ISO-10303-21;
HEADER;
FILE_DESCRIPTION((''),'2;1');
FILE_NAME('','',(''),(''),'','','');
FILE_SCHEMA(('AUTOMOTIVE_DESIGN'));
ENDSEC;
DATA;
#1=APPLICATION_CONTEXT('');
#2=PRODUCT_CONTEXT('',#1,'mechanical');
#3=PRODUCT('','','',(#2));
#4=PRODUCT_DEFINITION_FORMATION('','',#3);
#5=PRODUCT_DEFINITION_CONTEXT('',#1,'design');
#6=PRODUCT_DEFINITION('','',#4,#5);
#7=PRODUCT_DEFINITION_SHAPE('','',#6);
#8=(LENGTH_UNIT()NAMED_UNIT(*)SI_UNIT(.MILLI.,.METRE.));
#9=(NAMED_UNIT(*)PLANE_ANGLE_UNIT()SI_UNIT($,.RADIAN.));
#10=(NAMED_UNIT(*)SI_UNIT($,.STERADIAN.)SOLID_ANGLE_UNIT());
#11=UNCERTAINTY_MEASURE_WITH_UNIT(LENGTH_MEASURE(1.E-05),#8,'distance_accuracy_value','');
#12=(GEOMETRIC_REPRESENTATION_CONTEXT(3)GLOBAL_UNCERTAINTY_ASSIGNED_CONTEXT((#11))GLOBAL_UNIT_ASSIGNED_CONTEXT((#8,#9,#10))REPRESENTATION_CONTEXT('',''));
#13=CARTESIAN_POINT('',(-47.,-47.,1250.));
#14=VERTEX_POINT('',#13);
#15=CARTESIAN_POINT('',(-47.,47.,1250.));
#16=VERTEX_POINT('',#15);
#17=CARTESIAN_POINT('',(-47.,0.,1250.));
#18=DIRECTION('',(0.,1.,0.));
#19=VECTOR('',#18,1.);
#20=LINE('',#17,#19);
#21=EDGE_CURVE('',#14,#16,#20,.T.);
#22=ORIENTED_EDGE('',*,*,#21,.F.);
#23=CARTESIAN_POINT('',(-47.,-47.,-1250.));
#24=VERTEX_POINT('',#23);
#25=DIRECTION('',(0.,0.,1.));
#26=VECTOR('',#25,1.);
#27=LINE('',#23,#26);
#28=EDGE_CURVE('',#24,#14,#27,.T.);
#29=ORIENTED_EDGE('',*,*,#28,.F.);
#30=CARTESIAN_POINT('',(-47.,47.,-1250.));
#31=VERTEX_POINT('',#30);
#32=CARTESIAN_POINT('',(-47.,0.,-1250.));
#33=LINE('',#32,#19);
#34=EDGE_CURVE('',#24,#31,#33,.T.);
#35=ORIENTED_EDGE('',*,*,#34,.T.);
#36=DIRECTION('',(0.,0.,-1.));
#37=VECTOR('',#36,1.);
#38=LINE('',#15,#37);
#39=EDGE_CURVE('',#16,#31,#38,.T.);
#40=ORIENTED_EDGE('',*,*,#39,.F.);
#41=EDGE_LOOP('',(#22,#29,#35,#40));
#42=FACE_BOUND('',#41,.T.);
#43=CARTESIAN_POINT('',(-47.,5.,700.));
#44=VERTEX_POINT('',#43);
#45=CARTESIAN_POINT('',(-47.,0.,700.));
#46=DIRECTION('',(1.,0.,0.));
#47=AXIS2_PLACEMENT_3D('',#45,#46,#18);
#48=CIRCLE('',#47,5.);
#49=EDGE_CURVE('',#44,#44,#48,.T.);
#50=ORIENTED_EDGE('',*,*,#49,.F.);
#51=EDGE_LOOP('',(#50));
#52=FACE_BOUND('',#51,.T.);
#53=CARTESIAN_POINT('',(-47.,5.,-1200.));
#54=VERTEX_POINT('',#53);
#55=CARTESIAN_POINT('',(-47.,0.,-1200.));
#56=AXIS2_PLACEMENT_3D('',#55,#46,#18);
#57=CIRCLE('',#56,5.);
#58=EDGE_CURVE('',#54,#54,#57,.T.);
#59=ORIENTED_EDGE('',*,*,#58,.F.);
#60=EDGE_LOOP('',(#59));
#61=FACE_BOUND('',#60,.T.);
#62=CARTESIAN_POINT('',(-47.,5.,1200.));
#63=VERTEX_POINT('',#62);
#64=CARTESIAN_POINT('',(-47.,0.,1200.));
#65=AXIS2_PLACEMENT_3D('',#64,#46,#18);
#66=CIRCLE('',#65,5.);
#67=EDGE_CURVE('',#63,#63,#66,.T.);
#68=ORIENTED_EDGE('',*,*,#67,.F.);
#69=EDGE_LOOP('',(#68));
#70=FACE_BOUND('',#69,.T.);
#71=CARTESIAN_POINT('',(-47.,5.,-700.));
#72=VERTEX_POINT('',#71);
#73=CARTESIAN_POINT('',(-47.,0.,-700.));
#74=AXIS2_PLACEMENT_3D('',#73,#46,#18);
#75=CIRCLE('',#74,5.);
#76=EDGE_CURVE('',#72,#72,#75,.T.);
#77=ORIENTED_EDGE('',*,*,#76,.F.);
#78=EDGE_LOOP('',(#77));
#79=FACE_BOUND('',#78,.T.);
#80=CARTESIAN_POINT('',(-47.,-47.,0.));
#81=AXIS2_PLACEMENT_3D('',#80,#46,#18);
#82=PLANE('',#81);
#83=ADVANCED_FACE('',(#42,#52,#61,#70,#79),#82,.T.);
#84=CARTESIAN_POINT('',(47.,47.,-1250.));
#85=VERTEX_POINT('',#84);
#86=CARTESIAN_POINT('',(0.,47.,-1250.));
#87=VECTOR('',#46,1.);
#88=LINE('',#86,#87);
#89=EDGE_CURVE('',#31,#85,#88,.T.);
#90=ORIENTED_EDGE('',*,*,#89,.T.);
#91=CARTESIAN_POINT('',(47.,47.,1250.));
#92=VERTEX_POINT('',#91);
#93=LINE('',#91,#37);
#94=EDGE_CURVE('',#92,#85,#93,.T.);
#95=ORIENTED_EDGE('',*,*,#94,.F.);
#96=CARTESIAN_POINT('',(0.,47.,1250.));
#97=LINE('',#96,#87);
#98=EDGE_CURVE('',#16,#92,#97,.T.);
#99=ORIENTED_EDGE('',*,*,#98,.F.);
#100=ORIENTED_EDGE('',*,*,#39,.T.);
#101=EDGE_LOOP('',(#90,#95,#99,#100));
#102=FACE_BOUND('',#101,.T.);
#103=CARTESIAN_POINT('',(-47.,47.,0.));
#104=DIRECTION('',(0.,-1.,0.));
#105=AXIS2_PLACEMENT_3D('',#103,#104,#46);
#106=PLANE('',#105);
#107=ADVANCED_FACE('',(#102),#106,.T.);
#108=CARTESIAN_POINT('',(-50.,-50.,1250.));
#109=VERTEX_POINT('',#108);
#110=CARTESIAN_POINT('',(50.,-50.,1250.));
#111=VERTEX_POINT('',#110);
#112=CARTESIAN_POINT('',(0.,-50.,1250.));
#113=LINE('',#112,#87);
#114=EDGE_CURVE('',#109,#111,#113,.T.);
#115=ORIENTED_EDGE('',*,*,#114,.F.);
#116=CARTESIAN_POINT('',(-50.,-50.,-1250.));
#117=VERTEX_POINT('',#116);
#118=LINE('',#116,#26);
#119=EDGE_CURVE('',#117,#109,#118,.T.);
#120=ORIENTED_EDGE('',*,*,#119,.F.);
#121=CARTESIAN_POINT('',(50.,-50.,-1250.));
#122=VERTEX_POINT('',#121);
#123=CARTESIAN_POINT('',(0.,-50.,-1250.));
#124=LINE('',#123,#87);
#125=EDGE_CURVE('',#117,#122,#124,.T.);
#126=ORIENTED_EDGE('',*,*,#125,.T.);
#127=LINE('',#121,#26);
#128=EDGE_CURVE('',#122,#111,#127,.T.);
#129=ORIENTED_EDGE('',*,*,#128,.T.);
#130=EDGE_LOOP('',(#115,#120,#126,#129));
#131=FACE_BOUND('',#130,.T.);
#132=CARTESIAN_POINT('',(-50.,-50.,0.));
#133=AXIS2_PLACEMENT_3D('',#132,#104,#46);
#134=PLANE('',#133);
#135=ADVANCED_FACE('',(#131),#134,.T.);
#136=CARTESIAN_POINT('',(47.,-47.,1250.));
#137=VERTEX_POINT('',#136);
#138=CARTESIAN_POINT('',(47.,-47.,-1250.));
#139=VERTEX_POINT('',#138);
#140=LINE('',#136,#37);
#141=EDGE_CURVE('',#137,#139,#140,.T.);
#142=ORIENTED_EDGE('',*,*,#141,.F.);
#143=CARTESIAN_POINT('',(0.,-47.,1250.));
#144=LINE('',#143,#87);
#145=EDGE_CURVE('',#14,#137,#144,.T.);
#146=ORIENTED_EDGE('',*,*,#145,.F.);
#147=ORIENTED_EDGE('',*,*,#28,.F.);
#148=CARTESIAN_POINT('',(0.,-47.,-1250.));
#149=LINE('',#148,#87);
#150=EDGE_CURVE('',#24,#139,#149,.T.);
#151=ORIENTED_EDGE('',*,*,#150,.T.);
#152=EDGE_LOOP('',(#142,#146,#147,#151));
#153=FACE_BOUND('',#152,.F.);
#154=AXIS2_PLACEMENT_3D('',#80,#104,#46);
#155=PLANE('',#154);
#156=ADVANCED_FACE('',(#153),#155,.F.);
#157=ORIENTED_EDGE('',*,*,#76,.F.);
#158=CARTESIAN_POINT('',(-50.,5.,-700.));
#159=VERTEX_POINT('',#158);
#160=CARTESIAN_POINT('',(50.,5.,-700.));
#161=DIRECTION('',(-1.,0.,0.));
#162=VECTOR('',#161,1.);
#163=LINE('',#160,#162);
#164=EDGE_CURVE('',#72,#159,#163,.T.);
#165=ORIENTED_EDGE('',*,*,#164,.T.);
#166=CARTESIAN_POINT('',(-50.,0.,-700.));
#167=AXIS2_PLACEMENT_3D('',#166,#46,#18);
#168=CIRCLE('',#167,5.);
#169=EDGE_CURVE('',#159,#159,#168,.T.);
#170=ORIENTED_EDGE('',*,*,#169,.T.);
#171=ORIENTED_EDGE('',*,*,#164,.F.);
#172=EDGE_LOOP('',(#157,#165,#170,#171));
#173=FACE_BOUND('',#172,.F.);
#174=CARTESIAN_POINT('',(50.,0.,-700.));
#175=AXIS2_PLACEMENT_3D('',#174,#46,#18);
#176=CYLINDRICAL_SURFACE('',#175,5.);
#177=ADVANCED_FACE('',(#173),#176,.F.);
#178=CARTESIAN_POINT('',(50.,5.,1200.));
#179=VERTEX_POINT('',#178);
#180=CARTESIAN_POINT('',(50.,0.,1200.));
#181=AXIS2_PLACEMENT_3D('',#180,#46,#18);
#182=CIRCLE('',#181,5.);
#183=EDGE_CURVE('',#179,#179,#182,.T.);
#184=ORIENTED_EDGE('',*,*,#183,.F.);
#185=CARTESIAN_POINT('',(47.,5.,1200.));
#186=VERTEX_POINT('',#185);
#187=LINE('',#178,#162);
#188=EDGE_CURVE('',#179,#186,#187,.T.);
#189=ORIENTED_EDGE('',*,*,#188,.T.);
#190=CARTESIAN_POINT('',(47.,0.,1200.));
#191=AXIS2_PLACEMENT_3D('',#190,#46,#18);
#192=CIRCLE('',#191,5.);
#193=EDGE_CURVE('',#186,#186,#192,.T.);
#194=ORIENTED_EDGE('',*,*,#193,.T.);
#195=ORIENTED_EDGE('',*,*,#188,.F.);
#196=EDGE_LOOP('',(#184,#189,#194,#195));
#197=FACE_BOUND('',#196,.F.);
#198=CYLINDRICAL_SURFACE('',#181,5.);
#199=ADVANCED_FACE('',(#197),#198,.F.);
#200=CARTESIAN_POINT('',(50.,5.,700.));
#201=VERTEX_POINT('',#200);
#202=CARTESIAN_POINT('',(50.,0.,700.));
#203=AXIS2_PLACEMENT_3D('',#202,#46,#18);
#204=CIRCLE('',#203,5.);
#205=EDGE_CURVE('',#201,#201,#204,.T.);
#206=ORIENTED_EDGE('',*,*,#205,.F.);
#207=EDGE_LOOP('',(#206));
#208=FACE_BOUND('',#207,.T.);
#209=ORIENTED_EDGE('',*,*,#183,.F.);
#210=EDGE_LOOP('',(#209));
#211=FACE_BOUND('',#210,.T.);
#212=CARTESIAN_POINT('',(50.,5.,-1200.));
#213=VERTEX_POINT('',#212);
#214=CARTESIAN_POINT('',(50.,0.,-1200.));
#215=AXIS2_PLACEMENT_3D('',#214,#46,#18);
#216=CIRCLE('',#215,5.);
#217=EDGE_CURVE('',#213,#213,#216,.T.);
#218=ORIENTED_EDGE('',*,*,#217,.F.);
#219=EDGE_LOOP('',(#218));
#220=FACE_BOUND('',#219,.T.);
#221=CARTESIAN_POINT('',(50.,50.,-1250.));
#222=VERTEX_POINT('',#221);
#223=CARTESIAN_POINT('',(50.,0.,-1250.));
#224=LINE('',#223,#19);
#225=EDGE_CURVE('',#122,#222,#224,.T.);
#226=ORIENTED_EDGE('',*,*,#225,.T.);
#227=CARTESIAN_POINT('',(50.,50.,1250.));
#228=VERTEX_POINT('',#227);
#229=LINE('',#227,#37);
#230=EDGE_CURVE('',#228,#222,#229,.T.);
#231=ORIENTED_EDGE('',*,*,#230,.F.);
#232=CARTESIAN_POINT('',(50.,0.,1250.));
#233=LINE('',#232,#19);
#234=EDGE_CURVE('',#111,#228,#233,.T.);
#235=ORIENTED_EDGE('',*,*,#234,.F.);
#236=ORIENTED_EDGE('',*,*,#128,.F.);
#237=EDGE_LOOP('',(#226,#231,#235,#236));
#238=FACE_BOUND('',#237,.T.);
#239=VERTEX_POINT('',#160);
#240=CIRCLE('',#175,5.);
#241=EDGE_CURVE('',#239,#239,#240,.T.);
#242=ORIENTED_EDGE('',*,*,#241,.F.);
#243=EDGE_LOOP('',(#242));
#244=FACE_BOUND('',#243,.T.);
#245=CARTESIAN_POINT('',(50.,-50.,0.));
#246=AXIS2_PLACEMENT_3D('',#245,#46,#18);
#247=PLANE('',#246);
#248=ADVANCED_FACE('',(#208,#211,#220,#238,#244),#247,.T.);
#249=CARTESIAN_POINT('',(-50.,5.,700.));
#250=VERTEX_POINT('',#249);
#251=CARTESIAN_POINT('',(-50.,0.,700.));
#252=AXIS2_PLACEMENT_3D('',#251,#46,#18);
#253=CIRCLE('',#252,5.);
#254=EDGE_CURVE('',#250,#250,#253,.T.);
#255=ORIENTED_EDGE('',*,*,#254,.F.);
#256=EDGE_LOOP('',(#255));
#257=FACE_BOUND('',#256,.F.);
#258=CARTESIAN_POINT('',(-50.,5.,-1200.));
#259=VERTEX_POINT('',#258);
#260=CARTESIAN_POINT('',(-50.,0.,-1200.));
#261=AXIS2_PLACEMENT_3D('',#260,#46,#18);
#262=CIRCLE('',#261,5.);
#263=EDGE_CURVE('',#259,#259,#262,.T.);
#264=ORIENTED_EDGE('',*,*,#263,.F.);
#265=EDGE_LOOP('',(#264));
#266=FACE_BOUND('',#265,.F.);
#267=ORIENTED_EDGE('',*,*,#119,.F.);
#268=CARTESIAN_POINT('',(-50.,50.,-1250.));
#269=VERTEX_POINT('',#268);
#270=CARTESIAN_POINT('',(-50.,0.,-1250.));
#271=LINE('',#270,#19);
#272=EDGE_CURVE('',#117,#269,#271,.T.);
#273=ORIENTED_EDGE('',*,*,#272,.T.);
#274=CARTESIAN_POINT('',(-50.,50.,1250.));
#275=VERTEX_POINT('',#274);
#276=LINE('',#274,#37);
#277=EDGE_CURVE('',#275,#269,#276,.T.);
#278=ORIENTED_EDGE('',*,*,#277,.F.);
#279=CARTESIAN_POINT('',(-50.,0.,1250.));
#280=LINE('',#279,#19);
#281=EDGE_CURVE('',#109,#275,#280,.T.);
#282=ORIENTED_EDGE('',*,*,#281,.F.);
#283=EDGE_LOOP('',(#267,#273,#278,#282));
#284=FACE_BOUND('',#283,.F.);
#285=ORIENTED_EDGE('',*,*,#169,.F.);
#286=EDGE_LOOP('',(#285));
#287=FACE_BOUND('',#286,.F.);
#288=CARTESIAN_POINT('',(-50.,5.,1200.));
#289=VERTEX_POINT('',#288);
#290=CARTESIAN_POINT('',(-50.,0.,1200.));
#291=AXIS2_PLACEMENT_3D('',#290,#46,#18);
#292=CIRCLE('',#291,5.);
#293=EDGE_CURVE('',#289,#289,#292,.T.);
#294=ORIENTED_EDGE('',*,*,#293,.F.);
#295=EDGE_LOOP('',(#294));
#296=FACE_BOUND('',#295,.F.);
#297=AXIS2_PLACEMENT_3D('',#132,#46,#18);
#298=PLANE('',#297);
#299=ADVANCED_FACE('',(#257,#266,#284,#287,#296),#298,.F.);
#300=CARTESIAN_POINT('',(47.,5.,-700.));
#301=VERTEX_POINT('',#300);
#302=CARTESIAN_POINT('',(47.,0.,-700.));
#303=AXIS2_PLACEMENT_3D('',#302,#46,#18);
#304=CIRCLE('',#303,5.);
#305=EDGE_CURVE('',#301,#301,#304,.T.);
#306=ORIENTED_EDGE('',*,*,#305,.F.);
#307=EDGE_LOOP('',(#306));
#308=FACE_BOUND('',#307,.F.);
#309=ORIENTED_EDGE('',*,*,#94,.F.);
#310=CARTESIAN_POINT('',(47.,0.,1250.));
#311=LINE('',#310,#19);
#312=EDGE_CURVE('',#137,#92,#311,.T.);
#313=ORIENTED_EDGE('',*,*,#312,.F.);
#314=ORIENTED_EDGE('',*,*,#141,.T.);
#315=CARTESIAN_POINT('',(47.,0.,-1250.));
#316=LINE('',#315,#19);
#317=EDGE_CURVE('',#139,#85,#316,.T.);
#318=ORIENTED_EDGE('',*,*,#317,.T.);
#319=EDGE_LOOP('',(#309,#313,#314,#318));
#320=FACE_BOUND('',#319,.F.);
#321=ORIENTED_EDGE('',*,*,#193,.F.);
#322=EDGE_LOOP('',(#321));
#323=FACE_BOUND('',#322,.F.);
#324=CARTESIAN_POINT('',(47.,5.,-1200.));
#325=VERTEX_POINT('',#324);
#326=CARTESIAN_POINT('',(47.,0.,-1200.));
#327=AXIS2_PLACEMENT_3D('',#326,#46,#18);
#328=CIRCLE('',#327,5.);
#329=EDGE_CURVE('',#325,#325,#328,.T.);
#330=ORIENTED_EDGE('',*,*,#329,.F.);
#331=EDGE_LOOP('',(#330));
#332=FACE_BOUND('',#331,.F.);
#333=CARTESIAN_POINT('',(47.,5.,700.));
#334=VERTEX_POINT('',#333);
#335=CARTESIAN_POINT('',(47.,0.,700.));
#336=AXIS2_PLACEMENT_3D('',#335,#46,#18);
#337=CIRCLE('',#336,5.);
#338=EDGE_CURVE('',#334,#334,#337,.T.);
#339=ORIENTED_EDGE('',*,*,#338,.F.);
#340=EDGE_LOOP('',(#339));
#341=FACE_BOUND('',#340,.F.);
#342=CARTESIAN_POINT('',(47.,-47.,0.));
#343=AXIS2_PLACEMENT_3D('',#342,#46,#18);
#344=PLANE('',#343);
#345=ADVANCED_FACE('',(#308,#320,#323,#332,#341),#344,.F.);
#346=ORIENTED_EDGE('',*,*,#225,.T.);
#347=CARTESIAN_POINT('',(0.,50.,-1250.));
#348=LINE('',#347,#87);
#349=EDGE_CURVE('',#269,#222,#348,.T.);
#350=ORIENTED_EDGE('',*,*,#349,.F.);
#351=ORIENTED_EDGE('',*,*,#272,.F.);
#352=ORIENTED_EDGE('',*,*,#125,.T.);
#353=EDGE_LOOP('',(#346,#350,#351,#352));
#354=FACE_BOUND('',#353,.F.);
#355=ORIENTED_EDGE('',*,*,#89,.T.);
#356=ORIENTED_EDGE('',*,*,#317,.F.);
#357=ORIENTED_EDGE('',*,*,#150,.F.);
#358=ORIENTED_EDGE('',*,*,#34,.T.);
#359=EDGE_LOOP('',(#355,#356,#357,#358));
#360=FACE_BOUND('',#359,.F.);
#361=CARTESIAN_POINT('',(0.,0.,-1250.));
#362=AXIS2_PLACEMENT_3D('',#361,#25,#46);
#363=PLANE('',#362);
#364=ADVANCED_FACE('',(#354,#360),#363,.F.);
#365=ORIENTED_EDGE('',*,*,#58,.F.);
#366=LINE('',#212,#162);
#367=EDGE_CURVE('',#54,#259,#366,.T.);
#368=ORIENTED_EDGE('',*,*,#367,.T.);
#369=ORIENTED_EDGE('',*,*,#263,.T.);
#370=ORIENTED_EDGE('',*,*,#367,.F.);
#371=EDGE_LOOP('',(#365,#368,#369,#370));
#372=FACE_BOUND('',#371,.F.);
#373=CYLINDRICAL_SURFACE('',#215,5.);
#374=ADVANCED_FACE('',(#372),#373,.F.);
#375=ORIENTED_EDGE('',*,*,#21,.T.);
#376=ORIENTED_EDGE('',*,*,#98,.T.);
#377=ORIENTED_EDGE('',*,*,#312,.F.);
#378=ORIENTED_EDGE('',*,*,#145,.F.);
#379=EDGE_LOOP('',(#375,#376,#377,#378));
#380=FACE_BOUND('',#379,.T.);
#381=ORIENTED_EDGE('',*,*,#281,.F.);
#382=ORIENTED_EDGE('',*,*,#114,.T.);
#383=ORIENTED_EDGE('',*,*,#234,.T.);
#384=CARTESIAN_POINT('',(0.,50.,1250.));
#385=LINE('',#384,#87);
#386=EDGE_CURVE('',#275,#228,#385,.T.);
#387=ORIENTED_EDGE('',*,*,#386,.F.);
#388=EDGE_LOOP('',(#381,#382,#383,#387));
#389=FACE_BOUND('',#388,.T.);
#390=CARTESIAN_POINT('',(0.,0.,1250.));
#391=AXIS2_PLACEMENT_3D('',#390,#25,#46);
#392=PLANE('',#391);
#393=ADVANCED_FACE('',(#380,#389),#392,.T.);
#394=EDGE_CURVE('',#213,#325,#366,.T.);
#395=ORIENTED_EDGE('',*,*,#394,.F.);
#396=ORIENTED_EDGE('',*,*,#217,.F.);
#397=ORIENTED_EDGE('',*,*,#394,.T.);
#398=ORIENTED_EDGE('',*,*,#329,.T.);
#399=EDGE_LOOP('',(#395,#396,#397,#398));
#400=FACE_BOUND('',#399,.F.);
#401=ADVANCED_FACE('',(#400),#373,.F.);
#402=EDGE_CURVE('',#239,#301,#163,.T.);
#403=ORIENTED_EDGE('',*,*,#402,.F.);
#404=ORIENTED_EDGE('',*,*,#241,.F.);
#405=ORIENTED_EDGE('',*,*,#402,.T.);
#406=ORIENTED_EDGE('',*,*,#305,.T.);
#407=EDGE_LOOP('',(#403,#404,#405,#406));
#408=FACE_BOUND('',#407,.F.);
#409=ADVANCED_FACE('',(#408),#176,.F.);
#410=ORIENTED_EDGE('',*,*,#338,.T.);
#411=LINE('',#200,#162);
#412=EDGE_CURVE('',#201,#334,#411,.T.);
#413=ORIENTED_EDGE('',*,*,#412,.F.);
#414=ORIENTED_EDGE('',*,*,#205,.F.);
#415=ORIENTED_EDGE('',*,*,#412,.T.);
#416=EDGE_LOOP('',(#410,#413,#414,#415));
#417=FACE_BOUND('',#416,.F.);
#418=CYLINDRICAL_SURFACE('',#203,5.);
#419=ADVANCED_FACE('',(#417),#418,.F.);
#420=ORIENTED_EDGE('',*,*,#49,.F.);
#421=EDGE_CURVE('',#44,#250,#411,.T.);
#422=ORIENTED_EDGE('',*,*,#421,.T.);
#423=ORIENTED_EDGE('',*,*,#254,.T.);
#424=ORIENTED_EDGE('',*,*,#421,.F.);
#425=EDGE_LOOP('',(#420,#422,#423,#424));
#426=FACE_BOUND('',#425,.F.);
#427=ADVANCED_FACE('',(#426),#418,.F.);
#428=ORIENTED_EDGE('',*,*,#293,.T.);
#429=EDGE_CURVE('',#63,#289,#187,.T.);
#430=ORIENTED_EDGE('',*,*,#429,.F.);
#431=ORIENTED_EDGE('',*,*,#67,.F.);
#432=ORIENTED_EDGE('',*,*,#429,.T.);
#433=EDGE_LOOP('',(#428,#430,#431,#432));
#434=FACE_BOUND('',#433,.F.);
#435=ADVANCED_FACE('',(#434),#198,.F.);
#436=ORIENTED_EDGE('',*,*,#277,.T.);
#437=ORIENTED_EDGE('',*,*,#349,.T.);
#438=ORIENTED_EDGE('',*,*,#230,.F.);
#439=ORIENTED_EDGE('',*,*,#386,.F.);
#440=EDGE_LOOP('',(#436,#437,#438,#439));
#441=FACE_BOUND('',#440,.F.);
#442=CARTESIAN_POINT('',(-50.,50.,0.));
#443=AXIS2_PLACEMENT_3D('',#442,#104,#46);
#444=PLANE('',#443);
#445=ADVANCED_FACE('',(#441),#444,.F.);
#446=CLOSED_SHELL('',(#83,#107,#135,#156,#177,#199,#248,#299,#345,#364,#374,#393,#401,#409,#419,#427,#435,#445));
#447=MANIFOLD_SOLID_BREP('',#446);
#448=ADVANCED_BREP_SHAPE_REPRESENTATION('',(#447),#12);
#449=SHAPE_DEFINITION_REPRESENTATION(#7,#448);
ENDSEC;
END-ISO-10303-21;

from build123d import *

# Parameters (mm, degrees)
F0_W     = 100
F0_H     = 100
F0_W_2   = 94
F0_H_2   = 94
F1_DEPTH = 1250
F2_R     = 5
F3_DEPTH = 300


with BuildPart() as f1:
    # F0 (on Top) → F1 (new body, symmetric)
    with BuildSketch(Plane.XY):
        Rectangle(F0_W, F0_H)
        Rectangle(F0_W_2, F0_H_2, mode=Mode.SUBTRACT)
    extrude(amount=F1_DEPTH, both=True)

    # F2 (on face) → F3 (cut)
    with BuildSketch(Plane.YZ.offset(50)):
        with Locations((0, 1200)):
            Circle(F2_R)
        with Locations((0, 700)):
            Circle(F2_R)
        with Locations((0, -700)):
            Circle(F2_R)
        with Locations((0, -1200)):
            Circle(F2_R)
    extrude(amount=-F3_DEPTH, mode=Mode.SUBTRACT)


solid = f1.part
